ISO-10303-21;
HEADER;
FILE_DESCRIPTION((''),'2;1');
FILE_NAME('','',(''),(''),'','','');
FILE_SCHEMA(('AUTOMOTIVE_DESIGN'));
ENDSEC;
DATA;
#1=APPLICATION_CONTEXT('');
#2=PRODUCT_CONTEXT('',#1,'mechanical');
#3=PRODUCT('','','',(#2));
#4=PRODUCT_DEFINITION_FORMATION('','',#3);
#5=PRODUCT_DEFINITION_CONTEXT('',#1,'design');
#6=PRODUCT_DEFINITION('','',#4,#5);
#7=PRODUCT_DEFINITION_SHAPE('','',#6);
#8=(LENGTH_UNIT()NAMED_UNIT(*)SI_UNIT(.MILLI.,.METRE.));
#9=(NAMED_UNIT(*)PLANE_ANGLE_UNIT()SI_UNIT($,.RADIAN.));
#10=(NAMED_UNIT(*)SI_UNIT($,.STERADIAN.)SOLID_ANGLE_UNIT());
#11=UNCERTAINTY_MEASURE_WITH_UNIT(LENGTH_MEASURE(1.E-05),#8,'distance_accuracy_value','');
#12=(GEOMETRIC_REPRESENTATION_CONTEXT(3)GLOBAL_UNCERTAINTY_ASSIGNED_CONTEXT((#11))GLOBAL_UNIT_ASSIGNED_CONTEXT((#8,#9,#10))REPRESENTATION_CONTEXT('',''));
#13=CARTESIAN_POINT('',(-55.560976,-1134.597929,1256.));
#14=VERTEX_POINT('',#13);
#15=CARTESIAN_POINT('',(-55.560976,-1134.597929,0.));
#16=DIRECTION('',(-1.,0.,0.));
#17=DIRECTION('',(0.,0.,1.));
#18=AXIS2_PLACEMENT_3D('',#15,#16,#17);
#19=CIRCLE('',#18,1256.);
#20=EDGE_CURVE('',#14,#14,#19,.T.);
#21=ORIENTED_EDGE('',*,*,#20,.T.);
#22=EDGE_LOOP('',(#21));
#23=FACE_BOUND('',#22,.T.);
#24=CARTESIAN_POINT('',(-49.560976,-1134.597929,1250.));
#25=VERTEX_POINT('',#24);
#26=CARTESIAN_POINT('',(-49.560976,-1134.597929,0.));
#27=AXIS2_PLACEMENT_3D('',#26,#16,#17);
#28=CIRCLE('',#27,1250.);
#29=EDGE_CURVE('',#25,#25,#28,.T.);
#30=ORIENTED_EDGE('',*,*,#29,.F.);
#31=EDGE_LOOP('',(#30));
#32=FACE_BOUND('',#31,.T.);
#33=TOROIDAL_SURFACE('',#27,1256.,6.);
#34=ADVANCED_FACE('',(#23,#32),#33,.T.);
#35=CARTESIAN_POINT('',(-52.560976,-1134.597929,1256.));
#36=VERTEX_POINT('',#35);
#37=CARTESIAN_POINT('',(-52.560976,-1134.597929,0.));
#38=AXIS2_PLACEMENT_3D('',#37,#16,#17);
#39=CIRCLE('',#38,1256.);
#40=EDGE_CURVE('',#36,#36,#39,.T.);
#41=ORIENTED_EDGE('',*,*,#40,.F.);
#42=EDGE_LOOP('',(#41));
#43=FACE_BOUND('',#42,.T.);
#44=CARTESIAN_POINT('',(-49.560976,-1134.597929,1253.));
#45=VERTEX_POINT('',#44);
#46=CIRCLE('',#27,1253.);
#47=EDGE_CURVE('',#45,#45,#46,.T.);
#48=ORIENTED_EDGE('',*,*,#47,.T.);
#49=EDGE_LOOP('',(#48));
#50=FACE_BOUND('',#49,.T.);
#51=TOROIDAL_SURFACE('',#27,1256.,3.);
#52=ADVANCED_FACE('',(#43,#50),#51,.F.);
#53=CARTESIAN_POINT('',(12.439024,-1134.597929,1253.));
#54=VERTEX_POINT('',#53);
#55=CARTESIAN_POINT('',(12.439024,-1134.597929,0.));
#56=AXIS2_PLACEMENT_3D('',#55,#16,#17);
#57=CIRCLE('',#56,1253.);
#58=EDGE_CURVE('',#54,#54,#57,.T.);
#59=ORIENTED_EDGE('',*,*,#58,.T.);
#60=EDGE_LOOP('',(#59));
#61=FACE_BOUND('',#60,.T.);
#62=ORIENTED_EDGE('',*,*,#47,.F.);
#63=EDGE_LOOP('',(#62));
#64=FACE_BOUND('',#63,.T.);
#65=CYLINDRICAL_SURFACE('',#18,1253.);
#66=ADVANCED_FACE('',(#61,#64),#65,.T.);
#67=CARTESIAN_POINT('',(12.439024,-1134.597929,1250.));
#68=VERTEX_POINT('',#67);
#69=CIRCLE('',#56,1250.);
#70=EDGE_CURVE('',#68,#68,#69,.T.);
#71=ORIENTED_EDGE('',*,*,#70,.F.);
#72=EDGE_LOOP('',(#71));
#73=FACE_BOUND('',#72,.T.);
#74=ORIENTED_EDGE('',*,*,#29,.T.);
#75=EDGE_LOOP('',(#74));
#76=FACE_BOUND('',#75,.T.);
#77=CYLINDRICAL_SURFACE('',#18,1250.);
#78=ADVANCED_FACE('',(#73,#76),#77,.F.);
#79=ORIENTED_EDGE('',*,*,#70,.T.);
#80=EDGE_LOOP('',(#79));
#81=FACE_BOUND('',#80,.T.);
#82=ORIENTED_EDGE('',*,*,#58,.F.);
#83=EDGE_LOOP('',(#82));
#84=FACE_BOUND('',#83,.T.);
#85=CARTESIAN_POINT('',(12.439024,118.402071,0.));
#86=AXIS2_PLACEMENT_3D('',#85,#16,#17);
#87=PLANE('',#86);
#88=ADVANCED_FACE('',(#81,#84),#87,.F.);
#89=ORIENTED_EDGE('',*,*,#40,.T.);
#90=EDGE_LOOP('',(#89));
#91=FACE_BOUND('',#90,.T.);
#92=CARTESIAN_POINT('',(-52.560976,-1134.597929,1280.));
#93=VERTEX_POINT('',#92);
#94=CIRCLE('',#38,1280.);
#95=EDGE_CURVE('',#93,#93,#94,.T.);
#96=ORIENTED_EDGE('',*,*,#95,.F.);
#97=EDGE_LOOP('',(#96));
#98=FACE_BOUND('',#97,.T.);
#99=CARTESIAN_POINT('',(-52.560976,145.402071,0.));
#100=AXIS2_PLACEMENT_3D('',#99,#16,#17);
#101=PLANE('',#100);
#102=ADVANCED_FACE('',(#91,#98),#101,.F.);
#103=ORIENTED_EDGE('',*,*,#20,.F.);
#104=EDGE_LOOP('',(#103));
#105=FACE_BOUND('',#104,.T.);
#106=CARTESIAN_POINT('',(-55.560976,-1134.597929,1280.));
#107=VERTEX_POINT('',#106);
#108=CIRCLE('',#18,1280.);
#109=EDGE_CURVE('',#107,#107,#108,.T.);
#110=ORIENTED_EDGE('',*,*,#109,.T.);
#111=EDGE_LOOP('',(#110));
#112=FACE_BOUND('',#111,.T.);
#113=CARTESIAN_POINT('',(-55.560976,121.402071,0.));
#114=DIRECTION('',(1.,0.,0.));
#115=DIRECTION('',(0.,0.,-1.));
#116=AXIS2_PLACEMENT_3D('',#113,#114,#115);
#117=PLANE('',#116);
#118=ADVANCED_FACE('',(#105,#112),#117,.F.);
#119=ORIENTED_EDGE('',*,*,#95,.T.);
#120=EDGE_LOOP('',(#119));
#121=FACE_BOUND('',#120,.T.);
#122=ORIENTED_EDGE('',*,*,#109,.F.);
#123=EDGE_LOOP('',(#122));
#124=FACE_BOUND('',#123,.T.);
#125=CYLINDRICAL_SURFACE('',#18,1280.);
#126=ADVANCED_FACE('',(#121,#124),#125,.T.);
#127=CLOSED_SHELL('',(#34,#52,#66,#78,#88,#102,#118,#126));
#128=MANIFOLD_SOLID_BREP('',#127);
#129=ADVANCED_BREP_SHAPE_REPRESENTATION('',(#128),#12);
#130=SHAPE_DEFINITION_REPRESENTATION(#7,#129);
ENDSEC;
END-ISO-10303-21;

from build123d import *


with BuildPart() as part:
    # Sketch1 → Revolve1 (revolve)
    with BuildSketch(Plane.XY, mode=Mode.PRIVATE) as revolve1_sk:
        with BuildLine():
            Line((12.43902439, 115.402071406), (-49.56097561, 115.402071406))
            ThreePointArc((-49.56097561, 115.402071406), (-53.803616297, 117.159430719), (-55.56097561, 121.402071406))
            Line((-55.56097561, 121.402071406), (-55.56097561, 145.402071406))
            Line((-55.56097561, 145.402071406), (-52.56097561, 145.402071406))
            Line((-52.56097561, 145.402071406), (-52.56097561, 121.402071406))
            ThreePointArc((-52.56097561, 121.402071406), (-51.682295953, 119.280751062), (-49.56097561, 118.402071406))
            Line((-49.56097561, 118.402071406), (12.43902439, 118.402071406))
            Line((12.43902439, 118.402071406), (12.43902439, 115.402071406))
        make_face()
    revolve(revolve1_sk.sketch.rotate(Axis((-55.56097561, -1134.597928594, 0), (1, 0, 0)), 90), axis=Axis((-55.56097561, -1134.597928594, 0), (1, 0, 0)))


solid = part.part
